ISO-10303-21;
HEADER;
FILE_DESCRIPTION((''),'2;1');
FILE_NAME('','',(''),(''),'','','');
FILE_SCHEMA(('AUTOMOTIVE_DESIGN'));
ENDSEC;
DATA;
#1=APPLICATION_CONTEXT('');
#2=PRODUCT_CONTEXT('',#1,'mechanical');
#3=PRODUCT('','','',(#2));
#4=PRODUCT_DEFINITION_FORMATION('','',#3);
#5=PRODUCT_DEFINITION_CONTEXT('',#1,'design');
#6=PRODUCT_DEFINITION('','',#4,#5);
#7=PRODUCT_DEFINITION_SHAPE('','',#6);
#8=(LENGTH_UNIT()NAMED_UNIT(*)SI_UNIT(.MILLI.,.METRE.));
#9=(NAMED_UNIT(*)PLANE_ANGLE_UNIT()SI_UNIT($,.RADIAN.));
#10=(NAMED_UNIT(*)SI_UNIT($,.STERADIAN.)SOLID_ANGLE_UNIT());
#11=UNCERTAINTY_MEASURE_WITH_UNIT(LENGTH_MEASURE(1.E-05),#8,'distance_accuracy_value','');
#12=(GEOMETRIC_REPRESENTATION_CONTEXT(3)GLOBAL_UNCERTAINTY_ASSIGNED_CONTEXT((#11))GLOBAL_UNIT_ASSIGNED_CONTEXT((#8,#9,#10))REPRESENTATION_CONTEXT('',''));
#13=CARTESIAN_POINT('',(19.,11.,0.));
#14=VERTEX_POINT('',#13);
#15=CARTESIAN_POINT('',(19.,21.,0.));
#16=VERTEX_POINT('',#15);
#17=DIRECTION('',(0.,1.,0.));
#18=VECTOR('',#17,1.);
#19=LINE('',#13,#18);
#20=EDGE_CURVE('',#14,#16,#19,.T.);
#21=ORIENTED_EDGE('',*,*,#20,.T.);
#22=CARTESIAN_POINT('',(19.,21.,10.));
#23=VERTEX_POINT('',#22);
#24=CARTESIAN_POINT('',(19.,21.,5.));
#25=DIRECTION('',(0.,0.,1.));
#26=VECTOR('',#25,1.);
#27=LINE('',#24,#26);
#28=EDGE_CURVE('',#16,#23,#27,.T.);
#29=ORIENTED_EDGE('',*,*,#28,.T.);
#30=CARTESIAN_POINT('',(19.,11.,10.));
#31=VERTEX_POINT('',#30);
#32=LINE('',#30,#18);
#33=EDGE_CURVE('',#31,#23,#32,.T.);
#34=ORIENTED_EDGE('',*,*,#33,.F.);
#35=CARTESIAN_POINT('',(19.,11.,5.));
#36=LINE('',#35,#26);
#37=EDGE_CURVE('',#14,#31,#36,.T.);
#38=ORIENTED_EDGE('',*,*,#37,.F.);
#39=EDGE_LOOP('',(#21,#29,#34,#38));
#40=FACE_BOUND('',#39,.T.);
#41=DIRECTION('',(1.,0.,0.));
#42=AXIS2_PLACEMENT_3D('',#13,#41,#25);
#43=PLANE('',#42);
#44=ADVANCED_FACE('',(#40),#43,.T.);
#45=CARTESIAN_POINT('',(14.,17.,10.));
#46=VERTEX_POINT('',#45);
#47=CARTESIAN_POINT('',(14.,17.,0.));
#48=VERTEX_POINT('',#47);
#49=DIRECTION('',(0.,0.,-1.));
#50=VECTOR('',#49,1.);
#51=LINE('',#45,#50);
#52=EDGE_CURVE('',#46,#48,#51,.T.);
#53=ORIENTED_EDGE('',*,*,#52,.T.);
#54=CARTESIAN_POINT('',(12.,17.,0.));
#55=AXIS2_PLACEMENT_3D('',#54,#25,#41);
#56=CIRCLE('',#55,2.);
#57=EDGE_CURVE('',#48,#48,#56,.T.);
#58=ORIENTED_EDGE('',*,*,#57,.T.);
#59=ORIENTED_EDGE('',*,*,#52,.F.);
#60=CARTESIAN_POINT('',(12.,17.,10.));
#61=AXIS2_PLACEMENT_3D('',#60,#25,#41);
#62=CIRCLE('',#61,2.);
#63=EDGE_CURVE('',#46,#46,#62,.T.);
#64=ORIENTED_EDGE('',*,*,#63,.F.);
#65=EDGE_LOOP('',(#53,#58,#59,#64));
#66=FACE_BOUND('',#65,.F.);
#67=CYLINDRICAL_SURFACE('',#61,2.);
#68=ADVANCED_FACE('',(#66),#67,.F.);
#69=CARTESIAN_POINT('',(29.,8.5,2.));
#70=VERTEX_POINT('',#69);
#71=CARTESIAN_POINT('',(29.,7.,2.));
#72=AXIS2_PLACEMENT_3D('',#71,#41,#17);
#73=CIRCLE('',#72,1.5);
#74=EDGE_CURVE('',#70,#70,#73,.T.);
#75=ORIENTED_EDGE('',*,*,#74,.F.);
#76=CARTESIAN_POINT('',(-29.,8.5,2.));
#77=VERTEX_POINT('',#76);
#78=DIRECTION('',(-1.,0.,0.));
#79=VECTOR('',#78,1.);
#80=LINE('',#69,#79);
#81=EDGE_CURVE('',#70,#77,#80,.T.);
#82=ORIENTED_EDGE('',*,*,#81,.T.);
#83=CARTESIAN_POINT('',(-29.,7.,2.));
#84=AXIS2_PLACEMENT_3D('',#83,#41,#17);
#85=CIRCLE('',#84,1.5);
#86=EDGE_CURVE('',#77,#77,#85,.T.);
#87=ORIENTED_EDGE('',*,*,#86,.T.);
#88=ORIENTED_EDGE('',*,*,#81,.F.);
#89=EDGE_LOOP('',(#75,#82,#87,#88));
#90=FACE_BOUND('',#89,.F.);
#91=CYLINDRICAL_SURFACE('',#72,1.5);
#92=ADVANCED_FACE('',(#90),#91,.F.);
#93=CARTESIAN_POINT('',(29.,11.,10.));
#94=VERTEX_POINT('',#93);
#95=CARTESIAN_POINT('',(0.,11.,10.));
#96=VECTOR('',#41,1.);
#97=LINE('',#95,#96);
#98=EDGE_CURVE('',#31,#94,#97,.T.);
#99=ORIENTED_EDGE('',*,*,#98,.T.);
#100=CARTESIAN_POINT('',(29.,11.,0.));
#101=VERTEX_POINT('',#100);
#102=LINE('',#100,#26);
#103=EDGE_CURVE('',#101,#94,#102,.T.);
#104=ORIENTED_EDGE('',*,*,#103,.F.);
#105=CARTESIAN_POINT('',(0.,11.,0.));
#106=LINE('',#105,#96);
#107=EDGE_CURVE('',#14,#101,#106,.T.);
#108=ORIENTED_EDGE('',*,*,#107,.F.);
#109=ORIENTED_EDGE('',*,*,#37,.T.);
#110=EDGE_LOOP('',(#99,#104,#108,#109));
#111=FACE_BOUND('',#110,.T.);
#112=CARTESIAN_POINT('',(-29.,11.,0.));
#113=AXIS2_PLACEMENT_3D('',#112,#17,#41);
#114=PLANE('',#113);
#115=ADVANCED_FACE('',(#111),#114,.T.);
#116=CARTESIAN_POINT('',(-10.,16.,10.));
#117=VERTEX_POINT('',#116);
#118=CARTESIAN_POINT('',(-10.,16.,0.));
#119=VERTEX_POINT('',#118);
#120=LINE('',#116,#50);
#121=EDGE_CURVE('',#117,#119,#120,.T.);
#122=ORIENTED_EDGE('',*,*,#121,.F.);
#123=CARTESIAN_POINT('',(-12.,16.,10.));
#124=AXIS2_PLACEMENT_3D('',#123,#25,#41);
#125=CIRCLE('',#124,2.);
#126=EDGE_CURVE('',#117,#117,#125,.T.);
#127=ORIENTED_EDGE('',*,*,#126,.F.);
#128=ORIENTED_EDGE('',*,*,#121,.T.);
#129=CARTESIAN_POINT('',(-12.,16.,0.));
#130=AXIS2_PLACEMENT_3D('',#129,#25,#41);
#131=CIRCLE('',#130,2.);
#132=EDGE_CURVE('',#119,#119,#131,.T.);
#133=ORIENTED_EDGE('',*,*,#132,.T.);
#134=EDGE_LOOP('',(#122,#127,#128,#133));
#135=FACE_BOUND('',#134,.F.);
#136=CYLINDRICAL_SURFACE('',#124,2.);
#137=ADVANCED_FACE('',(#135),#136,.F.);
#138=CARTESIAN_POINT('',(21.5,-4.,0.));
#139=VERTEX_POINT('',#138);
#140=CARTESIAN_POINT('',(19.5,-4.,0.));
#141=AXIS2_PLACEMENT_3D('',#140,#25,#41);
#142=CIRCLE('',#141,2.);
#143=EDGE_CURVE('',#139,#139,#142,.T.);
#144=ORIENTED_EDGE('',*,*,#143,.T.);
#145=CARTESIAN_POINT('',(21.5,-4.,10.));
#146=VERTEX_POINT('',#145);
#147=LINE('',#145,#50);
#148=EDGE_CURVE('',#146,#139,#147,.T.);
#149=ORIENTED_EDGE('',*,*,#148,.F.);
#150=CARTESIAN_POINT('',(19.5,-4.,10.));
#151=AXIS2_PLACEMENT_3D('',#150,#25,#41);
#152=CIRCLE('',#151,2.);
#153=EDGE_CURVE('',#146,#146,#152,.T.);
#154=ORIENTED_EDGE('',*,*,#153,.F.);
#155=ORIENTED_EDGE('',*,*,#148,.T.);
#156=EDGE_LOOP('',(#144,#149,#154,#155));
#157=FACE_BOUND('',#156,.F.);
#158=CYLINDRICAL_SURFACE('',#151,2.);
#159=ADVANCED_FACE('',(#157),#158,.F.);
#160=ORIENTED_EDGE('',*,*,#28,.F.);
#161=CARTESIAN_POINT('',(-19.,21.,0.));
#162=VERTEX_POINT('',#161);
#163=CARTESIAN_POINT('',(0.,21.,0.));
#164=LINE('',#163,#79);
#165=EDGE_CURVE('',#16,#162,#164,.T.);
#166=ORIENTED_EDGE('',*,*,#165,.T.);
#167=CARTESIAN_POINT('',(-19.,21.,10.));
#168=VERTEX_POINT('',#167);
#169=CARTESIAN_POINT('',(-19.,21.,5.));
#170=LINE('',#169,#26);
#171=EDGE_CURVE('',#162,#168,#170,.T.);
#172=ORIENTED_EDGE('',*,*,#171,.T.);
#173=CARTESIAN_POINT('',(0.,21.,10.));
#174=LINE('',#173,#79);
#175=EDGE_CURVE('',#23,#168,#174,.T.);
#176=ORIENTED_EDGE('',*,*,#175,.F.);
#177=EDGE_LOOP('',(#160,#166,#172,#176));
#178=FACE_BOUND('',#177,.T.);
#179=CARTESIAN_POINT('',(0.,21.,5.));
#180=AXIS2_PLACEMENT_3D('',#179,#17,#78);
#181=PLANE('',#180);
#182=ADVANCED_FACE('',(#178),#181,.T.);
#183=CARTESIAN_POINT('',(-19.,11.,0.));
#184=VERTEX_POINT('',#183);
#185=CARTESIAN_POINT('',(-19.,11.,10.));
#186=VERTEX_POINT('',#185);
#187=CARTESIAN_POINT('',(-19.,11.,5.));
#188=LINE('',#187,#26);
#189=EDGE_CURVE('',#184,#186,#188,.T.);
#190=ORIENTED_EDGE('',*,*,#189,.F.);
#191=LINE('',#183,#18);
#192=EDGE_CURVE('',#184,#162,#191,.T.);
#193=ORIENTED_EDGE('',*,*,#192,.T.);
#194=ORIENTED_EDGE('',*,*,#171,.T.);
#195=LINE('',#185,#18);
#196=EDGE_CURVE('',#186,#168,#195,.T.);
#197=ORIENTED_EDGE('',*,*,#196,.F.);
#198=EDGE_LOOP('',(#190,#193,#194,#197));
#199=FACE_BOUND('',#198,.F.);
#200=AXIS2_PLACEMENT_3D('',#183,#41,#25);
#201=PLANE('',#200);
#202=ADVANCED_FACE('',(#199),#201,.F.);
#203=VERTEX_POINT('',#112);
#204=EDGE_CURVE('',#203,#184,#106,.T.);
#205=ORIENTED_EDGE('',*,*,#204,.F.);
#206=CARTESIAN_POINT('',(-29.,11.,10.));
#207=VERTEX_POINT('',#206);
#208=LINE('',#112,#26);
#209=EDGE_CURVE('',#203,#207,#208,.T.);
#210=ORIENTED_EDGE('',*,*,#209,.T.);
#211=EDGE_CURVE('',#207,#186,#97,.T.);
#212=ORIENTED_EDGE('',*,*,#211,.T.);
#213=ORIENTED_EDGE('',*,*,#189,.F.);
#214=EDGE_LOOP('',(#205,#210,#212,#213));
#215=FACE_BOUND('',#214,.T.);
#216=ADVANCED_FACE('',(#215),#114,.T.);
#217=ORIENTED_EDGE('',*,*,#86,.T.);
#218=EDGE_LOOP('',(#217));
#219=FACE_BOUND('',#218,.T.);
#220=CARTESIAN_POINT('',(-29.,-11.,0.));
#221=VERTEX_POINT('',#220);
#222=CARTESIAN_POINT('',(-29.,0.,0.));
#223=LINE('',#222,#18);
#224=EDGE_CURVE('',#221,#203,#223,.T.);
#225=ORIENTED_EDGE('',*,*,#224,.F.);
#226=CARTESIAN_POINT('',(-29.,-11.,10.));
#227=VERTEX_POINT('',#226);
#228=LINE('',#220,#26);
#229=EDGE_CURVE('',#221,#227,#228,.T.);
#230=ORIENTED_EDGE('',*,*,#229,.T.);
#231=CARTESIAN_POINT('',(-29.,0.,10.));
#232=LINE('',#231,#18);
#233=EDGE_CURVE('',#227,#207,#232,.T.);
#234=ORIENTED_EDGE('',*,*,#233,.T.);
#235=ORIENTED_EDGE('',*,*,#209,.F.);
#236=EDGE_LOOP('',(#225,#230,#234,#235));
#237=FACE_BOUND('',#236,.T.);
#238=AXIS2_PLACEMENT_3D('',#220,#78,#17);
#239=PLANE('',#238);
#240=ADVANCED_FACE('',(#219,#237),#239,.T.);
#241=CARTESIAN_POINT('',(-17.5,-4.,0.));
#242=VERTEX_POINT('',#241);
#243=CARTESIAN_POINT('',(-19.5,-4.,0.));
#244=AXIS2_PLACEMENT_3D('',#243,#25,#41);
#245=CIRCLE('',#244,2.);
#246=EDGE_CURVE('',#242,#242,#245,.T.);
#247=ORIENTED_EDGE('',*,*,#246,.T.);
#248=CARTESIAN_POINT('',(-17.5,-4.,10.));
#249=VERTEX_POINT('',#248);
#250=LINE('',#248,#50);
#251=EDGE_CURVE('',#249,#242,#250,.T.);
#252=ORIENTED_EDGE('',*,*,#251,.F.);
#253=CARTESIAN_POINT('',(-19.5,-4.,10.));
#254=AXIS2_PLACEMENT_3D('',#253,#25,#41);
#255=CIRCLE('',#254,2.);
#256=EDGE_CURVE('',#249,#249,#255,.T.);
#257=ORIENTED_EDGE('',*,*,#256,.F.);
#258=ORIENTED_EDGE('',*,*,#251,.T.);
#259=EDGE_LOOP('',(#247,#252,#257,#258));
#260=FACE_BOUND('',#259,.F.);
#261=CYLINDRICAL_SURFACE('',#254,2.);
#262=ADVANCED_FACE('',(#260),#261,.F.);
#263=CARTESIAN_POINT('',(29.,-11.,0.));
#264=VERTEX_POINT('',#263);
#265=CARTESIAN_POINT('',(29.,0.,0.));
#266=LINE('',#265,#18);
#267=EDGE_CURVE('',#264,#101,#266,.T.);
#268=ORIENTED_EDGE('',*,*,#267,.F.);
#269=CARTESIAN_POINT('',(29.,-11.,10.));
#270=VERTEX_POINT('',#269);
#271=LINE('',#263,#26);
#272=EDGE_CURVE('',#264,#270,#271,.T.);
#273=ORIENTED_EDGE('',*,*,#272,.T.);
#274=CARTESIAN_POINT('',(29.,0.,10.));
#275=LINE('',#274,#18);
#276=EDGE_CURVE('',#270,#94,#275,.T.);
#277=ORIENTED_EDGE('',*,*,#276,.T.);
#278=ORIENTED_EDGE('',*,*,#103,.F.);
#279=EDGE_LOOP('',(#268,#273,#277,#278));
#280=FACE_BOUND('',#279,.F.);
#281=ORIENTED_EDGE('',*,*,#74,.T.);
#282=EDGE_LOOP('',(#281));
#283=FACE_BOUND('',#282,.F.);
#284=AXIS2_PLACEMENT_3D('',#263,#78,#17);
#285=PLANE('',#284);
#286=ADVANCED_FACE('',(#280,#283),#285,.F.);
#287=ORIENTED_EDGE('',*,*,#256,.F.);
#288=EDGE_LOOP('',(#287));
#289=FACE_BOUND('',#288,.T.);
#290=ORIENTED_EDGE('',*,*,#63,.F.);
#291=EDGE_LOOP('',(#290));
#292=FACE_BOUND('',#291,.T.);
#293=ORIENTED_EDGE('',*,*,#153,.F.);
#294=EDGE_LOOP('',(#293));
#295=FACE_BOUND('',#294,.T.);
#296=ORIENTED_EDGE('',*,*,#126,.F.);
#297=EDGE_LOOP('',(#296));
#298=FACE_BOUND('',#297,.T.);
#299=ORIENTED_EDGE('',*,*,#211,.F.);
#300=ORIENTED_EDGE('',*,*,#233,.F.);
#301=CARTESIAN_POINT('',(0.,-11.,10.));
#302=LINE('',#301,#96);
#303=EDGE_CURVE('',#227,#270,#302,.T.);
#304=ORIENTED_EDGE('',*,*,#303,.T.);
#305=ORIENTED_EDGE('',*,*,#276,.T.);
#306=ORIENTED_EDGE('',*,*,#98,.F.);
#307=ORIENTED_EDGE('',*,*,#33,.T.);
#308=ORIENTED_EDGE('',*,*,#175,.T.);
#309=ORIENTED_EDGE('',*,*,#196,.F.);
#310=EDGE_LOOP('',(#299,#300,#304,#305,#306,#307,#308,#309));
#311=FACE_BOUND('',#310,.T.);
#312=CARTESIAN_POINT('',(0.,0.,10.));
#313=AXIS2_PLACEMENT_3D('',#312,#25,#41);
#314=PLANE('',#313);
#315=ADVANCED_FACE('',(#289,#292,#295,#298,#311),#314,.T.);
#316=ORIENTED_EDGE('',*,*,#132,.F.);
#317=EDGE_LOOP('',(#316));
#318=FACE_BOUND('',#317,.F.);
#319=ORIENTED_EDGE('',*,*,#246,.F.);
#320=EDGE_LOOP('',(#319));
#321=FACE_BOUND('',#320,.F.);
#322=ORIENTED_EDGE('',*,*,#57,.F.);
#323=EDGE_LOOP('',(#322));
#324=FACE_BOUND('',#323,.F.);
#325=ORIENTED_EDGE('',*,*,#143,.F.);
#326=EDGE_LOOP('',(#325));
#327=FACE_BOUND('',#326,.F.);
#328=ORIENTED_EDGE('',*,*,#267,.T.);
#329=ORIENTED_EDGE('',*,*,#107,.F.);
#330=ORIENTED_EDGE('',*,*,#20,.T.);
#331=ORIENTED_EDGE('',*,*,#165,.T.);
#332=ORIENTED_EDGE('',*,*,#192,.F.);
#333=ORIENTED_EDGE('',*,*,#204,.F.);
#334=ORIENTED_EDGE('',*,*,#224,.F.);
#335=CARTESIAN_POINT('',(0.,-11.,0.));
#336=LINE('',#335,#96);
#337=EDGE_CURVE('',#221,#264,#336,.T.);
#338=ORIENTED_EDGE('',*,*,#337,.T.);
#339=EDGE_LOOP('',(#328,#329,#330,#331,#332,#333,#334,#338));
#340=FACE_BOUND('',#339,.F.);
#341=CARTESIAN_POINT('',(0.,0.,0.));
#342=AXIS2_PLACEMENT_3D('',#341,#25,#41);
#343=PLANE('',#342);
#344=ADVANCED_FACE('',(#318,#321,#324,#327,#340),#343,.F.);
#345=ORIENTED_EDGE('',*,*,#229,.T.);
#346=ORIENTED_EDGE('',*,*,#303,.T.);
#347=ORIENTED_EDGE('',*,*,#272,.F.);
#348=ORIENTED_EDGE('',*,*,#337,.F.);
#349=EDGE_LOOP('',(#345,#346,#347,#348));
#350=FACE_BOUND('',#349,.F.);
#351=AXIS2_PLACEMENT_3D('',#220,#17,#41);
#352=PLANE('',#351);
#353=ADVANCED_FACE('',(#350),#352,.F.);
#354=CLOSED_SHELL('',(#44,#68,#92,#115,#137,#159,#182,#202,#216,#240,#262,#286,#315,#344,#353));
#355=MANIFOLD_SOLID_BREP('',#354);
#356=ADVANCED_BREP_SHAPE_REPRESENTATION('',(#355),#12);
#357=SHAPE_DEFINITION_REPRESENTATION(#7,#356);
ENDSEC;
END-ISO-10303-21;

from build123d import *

# Parameters (mm, degrees)
F0_W     = 58
F0_H     = 22
F1_DEPTH = 10
F2_R     = 2
F3_DEPTH = 25
F4_R     = 1.5
F5_DEPTH = 500
F6_W     = 38
F6_H     = 10
F7_DEPTH = 10
F8_R     = 2
F9_DEPTH = 25


with BuildPart() as f1:
    # F0 (on Top) → F1 (new body)
    with BuildSketch(Plane.XY):
        Rectangle(F0_W, F0_H)
    extrude(amount=F1_DEPTH)

    # F2 (on face) → F3 (cut)
    with BuildSketch(Plane.XY.offset(10)):
        with Locations((-19.5, -4)):
            Circle(F2_R)
        with Locations((19.5, -4)):
            Circle(F2_R)
    extrude(amount=-F3_DEPTH, mode=Mode.SUBTRACT)

    # F4 (on face) → F5 (cut)
    with BuildSketch(Plane.YZ.offset(29)):
        with Locations((7, 2)):
            Circle(F4_R)
    extrude(amount=-F5_DEPTH, mode=Mode.SUBTRACT)

    # F6 (on face) → F7 (join)
    with BuildSketch(Plane(origin=(0, 11, 0), x_dir=(-1, 0, 0), z_dir=(0, 1, 0))):
        with Locations((0, 5)):
            Rectangle(F6_W, F6_H)
    extrude(amount=F7_DEPTH)

    # F8 (on face) → F9 (cut)
    with BuildSketch(Plane.XY.offset(10)):
        with Locations((12, 17)):
            Circle(F8_R)
        with Locations((-12, 16)):
            Circle(F8_R)
    extrude(amount=-F9_DEPTH, mode=Mode.SUBTRACT)


solid = f1.part
